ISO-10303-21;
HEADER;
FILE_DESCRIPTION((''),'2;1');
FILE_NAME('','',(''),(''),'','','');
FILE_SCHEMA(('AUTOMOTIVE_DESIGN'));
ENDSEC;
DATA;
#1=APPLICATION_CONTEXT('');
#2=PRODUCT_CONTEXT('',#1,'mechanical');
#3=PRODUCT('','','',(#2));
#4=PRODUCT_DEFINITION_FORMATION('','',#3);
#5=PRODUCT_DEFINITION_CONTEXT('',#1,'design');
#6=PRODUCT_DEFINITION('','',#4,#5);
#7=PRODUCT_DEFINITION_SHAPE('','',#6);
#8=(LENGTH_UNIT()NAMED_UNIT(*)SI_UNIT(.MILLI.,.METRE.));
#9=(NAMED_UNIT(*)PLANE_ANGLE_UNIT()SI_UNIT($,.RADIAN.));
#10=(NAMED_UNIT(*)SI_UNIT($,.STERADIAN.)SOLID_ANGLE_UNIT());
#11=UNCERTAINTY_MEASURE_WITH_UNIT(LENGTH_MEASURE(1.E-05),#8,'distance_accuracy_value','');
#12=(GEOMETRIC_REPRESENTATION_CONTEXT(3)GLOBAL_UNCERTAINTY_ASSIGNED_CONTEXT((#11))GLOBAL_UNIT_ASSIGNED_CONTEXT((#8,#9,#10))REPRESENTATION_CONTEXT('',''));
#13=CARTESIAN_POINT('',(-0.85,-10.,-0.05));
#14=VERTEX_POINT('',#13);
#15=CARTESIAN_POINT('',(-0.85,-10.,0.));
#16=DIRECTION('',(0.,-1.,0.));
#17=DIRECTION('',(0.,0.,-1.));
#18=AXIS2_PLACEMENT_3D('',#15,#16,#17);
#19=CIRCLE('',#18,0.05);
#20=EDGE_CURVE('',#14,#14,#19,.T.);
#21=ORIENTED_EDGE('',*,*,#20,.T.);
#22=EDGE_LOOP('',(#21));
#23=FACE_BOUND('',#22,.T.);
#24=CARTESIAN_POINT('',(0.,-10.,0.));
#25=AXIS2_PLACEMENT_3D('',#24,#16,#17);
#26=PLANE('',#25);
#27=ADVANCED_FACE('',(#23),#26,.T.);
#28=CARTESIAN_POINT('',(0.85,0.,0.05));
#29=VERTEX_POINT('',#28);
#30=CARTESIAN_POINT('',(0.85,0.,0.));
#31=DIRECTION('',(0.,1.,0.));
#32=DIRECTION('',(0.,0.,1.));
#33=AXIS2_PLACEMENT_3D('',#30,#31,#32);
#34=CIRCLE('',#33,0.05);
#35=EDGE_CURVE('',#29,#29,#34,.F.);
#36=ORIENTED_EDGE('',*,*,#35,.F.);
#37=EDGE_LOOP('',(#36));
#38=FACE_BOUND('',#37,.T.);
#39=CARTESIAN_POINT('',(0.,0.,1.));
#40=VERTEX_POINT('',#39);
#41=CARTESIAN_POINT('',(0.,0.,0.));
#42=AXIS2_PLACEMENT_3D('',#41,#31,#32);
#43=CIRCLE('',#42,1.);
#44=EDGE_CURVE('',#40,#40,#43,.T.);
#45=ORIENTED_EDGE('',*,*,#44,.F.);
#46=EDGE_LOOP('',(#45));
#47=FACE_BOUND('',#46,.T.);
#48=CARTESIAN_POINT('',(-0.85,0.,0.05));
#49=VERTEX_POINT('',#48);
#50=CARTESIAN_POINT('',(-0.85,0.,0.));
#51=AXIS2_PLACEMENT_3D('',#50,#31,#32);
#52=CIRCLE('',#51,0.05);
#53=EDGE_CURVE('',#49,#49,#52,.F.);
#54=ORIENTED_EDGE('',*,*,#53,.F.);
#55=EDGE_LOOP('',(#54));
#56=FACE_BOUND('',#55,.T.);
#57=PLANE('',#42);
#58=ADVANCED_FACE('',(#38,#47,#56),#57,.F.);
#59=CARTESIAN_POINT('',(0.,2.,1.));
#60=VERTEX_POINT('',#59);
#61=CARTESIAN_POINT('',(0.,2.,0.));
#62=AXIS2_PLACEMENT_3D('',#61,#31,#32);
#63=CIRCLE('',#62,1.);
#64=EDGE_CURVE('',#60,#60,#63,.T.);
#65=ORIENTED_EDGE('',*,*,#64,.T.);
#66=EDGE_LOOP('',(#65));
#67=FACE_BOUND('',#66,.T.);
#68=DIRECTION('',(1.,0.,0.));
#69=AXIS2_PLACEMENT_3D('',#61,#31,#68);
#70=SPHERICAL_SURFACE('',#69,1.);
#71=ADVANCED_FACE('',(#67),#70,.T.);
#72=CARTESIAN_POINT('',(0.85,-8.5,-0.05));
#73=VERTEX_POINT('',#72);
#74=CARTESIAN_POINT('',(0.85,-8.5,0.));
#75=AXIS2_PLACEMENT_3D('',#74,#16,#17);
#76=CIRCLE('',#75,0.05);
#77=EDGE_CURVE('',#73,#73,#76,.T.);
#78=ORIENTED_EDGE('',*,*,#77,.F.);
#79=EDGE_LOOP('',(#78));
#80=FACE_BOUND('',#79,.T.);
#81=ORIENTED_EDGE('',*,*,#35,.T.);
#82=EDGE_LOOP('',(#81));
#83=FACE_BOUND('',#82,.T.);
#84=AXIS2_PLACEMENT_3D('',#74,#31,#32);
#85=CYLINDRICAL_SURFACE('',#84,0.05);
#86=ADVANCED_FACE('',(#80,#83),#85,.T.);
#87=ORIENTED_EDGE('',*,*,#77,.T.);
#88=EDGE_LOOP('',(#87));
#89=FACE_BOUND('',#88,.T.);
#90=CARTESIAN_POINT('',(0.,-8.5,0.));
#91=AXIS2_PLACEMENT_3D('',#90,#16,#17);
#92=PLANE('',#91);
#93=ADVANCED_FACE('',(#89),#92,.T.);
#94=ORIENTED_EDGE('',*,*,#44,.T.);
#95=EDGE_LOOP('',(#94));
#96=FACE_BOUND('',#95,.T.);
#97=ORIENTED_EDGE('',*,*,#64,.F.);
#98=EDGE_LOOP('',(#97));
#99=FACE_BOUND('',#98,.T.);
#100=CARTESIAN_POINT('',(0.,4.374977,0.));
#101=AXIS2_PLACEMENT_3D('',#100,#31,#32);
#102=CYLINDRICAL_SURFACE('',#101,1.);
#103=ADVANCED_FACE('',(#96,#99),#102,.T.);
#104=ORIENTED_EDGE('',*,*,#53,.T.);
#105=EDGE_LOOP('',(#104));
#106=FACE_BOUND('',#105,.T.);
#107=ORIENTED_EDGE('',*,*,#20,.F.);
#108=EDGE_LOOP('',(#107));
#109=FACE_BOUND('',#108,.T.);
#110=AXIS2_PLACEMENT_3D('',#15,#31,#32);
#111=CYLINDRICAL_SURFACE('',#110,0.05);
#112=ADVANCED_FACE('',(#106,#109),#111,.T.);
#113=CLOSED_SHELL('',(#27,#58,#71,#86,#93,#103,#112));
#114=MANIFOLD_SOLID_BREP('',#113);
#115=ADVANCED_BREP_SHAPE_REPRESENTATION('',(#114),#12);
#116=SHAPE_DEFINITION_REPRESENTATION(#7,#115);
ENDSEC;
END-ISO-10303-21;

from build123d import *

# Parameters (mm, degrees)
SKETCH2_R           = 0.05
BOSS_EXTRUDE1_DEPTH = 10
SKETCH2_3_R         = 0.05
BOSS_EXTRUDE2_DEPTH = 8.5


with BuildPart() as part:
    # Sketch1 → Revolve1 (revolve)
    with BuildSketch(Plane.XY):
        with BuildLine():
            Line((0, 0), (1, 0))
            Line((1, 0), (1, 2))
            ThreePointArc((1, 2), (0.707106781, 2.707106781), (0, 3))
            Line((0, 3), (0, 0))
        make_face()
    revolve(axis=Axis((0, 4.374977091, 0), (0, -1, 0)))

    # Sketch2 → Boss-Extrude1 (add)
    with BuildSketch(Plane.XZ):
        with Locations((-0.85, 0)):
            Circle(SKETCH2_R)
    extrude(amount=BOSS_EXTRUDE1_DEPTH)

    # Sketch2<3> → Boss-Extrude2 (add)
    with BuildSketch(Plane.XZ):
        with Locations((0.85, 0)):
            Circle(SKETCH2_3_R)
    extrude(amount=BOSS_EXTRUDE2_DEPTH)


solid = part.part
